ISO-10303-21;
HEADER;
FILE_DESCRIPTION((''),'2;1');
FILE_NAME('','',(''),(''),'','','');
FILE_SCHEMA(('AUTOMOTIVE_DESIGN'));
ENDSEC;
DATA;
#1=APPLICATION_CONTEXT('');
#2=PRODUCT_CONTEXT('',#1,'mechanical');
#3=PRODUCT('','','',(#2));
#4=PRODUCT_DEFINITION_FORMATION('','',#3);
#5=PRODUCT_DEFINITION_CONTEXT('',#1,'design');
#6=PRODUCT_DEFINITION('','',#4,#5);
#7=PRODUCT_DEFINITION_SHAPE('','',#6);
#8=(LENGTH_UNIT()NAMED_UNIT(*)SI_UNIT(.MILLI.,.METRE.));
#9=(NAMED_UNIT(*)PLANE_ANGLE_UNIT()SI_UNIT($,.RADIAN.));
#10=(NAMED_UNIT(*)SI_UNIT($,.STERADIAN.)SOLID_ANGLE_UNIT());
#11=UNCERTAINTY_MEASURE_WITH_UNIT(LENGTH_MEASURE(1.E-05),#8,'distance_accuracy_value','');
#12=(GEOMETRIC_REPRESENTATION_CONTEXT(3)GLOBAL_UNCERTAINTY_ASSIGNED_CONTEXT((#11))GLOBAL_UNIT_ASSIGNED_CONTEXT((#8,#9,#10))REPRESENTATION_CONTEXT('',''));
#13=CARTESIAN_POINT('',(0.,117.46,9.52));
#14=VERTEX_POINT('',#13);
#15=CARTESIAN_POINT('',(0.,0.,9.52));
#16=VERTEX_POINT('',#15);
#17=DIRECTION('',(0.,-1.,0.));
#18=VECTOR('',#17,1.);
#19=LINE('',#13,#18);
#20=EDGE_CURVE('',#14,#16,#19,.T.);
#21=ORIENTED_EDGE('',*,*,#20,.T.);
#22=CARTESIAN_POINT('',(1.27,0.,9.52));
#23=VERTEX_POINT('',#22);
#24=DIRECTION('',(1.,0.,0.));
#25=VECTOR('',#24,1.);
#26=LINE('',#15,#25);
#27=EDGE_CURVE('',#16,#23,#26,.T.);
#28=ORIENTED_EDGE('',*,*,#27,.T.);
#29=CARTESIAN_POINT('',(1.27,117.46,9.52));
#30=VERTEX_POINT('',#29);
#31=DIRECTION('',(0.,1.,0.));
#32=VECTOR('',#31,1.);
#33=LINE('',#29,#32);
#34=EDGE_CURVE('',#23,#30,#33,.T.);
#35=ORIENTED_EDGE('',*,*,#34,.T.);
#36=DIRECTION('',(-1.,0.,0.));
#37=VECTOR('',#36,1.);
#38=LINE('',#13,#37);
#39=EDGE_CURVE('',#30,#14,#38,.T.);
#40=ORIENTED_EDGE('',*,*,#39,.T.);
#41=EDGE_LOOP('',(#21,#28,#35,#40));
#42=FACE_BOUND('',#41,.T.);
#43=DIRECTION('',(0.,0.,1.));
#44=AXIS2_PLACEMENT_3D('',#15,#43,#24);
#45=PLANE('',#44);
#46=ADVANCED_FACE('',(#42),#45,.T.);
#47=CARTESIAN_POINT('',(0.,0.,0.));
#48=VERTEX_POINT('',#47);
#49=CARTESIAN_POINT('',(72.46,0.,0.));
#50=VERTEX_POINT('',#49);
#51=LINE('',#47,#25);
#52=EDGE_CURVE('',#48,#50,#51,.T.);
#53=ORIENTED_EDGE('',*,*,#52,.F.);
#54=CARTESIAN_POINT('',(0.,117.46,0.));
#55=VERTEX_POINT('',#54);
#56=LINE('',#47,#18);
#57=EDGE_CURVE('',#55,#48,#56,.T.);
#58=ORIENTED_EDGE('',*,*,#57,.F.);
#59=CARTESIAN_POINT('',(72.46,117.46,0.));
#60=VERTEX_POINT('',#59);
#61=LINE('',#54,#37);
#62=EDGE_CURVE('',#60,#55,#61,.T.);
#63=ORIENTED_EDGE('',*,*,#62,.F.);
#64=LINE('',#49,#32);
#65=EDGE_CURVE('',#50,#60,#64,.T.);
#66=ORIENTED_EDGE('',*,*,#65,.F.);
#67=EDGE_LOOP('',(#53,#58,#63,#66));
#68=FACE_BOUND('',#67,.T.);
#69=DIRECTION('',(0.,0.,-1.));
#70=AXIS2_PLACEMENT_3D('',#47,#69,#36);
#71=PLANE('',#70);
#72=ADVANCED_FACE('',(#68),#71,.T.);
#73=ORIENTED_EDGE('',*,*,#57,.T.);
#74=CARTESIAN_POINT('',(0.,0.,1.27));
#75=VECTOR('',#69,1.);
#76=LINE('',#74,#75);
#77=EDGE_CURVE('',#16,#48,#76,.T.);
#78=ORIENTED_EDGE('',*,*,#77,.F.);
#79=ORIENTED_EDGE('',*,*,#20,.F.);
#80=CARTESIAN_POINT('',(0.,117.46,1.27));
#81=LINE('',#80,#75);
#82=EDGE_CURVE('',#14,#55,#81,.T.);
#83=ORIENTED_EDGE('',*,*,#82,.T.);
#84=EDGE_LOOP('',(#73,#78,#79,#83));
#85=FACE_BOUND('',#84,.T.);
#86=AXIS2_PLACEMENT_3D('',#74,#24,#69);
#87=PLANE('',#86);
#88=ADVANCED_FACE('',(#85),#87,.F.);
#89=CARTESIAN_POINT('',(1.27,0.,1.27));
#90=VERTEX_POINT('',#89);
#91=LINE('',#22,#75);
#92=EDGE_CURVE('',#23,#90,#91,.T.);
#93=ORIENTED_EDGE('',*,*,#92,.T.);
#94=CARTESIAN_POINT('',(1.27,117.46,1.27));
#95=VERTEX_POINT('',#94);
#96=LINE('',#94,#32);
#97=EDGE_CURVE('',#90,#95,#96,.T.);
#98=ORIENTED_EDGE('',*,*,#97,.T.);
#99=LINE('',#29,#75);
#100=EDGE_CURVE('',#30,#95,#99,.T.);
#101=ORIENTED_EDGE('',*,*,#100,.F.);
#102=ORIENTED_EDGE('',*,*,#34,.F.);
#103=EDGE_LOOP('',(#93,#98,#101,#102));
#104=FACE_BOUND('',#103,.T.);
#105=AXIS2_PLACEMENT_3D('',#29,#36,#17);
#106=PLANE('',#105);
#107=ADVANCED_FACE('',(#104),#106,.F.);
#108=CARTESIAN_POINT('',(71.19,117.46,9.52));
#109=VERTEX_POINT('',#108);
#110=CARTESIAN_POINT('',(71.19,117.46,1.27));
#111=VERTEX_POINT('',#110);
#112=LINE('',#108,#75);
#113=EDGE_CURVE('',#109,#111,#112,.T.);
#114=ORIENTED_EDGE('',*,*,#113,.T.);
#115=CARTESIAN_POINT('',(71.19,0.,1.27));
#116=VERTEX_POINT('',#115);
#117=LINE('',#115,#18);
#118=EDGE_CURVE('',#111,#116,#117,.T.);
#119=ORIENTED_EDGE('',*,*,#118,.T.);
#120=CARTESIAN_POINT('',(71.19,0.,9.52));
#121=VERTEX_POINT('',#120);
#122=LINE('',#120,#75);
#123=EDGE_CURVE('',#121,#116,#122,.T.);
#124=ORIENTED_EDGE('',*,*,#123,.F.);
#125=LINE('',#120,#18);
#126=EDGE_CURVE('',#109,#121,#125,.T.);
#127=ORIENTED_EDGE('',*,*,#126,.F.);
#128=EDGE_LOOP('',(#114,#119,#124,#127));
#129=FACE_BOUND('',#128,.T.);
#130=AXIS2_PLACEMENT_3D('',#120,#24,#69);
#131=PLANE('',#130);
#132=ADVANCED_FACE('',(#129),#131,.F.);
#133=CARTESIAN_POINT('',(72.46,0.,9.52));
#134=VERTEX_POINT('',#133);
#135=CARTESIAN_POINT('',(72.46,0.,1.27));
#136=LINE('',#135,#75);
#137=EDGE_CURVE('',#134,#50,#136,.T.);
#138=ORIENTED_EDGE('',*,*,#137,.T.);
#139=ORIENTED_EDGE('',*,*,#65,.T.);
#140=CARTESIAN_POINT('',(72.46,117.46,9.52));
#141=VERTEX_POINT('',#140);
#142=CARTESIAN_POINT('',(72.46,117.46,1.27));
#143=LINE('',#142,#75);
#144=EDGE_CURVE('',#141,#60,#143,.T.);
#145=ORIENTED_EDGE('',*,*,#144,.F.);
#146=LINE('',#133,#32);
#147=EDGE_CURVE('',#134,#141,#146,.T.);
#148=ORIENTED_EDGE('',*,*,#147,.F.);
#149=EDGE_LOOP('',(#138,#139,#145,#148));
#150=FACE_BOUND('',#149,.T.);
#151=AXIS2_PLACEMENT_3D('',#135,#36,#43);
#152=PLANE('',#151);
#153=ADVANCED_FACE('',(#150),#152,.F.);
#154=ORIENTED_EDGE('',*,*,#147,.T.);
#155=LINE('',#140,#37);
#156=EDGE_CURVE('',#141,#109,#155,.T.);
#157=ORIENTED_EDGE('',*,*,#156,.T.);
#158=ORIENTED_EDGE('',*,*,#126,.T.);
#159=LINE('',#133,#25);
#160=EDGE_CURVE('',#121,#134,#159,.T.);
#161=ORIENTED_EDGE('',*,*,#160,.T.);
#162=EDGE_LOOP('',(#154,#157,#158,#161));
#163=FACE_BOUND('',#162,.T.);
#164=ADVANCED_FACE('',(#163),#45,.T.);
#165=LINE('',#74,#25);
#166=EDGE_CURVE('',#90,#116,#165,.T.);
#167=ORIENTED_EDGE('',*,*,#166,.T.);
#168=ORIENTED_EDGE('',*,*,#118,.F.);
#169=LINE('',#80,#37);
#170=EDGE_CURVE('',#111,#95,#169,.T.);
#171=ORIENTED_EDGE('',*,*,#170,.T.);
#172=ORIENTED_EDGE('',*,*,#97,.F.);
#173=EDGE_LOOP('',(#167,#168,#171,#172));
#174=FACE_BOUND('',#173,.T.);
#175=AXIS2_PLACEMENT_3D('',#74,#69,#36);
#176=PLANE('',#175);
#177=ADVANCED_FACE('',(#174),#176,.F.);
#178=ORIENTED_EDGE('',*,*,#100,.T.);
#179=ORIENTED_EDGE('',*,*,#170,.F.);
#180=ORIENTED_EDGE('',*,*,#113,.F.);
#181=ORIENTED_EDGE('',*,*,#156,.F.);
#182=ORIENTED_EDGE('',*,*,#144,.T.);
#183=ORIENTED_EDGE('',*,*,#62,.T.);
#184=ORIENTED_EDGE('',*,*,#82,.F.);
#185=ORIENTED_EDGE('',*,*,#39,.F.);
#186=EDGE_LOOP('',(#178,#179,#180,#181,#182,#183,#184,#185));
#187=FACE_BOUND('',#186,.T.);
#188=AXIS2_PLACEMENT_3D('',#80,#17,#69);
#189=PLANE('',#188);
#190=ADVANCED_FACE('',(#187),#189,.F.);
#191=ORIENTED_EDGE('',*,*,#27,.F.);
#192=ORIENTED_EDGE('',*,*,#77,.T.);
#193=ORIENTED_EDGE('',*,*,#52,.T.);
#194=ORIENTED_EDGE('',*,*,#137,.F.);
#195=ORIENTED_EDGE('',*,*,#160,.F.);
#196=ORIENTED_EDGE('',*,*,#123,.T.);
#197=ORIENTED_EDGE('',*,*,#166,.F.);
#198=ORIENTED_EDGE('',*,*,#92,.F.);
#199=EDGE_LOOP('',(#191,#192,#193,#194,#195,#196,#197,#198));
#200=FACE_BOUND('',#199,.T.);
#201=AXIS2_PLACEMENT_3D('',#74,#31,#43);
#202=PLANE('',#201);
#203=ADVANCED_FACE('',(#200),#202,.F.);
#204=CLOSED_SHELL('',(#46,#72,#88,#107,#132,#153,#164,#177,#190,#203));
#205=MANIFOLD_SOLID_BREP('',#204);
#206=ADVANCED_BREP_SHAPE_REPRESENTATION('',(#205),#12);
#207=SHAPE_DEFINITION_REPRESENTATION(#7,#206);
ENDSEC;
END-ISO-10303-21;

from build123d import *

# Parameters (mm, degrees)
SKETCH1_W           = 72.46
SKETCH1_H           = 117.46
BOSS_EXTRUDE1_DEPTH = 1.27
SKETCH2_W           = 1.27
SKETCH2_H           = 117.46
BOSS_EXTRUDE2_DEPTH = 8.25


with BuildPart() as part:
    # Sketch1 → Boss-Extrude1 (new body)
    with BuildSketch(Plane.XY):
        with Locations((36.23, 58.73)):
            Rectangle(SKETCH1_W, SKETCH1_H)
    extrude(amount=BOSS_EXTRUDE1_DEPTH)

    # Sketch2 → Boss-Extrude2 (add)
    with BuildSketch(Plane.XY.offset(1.27)):
        with Locations((0.635, 58.73)):
            Rectangle(SKETCH2_W, SKETCH2_H)
        with Locations((71.825, 58.73)):
            Rectangle(SKETCH2_W, SKETCH2_H)
    extrude(amount=BOSS_EXTRUDE2_DEPTH)


solid = part.part
